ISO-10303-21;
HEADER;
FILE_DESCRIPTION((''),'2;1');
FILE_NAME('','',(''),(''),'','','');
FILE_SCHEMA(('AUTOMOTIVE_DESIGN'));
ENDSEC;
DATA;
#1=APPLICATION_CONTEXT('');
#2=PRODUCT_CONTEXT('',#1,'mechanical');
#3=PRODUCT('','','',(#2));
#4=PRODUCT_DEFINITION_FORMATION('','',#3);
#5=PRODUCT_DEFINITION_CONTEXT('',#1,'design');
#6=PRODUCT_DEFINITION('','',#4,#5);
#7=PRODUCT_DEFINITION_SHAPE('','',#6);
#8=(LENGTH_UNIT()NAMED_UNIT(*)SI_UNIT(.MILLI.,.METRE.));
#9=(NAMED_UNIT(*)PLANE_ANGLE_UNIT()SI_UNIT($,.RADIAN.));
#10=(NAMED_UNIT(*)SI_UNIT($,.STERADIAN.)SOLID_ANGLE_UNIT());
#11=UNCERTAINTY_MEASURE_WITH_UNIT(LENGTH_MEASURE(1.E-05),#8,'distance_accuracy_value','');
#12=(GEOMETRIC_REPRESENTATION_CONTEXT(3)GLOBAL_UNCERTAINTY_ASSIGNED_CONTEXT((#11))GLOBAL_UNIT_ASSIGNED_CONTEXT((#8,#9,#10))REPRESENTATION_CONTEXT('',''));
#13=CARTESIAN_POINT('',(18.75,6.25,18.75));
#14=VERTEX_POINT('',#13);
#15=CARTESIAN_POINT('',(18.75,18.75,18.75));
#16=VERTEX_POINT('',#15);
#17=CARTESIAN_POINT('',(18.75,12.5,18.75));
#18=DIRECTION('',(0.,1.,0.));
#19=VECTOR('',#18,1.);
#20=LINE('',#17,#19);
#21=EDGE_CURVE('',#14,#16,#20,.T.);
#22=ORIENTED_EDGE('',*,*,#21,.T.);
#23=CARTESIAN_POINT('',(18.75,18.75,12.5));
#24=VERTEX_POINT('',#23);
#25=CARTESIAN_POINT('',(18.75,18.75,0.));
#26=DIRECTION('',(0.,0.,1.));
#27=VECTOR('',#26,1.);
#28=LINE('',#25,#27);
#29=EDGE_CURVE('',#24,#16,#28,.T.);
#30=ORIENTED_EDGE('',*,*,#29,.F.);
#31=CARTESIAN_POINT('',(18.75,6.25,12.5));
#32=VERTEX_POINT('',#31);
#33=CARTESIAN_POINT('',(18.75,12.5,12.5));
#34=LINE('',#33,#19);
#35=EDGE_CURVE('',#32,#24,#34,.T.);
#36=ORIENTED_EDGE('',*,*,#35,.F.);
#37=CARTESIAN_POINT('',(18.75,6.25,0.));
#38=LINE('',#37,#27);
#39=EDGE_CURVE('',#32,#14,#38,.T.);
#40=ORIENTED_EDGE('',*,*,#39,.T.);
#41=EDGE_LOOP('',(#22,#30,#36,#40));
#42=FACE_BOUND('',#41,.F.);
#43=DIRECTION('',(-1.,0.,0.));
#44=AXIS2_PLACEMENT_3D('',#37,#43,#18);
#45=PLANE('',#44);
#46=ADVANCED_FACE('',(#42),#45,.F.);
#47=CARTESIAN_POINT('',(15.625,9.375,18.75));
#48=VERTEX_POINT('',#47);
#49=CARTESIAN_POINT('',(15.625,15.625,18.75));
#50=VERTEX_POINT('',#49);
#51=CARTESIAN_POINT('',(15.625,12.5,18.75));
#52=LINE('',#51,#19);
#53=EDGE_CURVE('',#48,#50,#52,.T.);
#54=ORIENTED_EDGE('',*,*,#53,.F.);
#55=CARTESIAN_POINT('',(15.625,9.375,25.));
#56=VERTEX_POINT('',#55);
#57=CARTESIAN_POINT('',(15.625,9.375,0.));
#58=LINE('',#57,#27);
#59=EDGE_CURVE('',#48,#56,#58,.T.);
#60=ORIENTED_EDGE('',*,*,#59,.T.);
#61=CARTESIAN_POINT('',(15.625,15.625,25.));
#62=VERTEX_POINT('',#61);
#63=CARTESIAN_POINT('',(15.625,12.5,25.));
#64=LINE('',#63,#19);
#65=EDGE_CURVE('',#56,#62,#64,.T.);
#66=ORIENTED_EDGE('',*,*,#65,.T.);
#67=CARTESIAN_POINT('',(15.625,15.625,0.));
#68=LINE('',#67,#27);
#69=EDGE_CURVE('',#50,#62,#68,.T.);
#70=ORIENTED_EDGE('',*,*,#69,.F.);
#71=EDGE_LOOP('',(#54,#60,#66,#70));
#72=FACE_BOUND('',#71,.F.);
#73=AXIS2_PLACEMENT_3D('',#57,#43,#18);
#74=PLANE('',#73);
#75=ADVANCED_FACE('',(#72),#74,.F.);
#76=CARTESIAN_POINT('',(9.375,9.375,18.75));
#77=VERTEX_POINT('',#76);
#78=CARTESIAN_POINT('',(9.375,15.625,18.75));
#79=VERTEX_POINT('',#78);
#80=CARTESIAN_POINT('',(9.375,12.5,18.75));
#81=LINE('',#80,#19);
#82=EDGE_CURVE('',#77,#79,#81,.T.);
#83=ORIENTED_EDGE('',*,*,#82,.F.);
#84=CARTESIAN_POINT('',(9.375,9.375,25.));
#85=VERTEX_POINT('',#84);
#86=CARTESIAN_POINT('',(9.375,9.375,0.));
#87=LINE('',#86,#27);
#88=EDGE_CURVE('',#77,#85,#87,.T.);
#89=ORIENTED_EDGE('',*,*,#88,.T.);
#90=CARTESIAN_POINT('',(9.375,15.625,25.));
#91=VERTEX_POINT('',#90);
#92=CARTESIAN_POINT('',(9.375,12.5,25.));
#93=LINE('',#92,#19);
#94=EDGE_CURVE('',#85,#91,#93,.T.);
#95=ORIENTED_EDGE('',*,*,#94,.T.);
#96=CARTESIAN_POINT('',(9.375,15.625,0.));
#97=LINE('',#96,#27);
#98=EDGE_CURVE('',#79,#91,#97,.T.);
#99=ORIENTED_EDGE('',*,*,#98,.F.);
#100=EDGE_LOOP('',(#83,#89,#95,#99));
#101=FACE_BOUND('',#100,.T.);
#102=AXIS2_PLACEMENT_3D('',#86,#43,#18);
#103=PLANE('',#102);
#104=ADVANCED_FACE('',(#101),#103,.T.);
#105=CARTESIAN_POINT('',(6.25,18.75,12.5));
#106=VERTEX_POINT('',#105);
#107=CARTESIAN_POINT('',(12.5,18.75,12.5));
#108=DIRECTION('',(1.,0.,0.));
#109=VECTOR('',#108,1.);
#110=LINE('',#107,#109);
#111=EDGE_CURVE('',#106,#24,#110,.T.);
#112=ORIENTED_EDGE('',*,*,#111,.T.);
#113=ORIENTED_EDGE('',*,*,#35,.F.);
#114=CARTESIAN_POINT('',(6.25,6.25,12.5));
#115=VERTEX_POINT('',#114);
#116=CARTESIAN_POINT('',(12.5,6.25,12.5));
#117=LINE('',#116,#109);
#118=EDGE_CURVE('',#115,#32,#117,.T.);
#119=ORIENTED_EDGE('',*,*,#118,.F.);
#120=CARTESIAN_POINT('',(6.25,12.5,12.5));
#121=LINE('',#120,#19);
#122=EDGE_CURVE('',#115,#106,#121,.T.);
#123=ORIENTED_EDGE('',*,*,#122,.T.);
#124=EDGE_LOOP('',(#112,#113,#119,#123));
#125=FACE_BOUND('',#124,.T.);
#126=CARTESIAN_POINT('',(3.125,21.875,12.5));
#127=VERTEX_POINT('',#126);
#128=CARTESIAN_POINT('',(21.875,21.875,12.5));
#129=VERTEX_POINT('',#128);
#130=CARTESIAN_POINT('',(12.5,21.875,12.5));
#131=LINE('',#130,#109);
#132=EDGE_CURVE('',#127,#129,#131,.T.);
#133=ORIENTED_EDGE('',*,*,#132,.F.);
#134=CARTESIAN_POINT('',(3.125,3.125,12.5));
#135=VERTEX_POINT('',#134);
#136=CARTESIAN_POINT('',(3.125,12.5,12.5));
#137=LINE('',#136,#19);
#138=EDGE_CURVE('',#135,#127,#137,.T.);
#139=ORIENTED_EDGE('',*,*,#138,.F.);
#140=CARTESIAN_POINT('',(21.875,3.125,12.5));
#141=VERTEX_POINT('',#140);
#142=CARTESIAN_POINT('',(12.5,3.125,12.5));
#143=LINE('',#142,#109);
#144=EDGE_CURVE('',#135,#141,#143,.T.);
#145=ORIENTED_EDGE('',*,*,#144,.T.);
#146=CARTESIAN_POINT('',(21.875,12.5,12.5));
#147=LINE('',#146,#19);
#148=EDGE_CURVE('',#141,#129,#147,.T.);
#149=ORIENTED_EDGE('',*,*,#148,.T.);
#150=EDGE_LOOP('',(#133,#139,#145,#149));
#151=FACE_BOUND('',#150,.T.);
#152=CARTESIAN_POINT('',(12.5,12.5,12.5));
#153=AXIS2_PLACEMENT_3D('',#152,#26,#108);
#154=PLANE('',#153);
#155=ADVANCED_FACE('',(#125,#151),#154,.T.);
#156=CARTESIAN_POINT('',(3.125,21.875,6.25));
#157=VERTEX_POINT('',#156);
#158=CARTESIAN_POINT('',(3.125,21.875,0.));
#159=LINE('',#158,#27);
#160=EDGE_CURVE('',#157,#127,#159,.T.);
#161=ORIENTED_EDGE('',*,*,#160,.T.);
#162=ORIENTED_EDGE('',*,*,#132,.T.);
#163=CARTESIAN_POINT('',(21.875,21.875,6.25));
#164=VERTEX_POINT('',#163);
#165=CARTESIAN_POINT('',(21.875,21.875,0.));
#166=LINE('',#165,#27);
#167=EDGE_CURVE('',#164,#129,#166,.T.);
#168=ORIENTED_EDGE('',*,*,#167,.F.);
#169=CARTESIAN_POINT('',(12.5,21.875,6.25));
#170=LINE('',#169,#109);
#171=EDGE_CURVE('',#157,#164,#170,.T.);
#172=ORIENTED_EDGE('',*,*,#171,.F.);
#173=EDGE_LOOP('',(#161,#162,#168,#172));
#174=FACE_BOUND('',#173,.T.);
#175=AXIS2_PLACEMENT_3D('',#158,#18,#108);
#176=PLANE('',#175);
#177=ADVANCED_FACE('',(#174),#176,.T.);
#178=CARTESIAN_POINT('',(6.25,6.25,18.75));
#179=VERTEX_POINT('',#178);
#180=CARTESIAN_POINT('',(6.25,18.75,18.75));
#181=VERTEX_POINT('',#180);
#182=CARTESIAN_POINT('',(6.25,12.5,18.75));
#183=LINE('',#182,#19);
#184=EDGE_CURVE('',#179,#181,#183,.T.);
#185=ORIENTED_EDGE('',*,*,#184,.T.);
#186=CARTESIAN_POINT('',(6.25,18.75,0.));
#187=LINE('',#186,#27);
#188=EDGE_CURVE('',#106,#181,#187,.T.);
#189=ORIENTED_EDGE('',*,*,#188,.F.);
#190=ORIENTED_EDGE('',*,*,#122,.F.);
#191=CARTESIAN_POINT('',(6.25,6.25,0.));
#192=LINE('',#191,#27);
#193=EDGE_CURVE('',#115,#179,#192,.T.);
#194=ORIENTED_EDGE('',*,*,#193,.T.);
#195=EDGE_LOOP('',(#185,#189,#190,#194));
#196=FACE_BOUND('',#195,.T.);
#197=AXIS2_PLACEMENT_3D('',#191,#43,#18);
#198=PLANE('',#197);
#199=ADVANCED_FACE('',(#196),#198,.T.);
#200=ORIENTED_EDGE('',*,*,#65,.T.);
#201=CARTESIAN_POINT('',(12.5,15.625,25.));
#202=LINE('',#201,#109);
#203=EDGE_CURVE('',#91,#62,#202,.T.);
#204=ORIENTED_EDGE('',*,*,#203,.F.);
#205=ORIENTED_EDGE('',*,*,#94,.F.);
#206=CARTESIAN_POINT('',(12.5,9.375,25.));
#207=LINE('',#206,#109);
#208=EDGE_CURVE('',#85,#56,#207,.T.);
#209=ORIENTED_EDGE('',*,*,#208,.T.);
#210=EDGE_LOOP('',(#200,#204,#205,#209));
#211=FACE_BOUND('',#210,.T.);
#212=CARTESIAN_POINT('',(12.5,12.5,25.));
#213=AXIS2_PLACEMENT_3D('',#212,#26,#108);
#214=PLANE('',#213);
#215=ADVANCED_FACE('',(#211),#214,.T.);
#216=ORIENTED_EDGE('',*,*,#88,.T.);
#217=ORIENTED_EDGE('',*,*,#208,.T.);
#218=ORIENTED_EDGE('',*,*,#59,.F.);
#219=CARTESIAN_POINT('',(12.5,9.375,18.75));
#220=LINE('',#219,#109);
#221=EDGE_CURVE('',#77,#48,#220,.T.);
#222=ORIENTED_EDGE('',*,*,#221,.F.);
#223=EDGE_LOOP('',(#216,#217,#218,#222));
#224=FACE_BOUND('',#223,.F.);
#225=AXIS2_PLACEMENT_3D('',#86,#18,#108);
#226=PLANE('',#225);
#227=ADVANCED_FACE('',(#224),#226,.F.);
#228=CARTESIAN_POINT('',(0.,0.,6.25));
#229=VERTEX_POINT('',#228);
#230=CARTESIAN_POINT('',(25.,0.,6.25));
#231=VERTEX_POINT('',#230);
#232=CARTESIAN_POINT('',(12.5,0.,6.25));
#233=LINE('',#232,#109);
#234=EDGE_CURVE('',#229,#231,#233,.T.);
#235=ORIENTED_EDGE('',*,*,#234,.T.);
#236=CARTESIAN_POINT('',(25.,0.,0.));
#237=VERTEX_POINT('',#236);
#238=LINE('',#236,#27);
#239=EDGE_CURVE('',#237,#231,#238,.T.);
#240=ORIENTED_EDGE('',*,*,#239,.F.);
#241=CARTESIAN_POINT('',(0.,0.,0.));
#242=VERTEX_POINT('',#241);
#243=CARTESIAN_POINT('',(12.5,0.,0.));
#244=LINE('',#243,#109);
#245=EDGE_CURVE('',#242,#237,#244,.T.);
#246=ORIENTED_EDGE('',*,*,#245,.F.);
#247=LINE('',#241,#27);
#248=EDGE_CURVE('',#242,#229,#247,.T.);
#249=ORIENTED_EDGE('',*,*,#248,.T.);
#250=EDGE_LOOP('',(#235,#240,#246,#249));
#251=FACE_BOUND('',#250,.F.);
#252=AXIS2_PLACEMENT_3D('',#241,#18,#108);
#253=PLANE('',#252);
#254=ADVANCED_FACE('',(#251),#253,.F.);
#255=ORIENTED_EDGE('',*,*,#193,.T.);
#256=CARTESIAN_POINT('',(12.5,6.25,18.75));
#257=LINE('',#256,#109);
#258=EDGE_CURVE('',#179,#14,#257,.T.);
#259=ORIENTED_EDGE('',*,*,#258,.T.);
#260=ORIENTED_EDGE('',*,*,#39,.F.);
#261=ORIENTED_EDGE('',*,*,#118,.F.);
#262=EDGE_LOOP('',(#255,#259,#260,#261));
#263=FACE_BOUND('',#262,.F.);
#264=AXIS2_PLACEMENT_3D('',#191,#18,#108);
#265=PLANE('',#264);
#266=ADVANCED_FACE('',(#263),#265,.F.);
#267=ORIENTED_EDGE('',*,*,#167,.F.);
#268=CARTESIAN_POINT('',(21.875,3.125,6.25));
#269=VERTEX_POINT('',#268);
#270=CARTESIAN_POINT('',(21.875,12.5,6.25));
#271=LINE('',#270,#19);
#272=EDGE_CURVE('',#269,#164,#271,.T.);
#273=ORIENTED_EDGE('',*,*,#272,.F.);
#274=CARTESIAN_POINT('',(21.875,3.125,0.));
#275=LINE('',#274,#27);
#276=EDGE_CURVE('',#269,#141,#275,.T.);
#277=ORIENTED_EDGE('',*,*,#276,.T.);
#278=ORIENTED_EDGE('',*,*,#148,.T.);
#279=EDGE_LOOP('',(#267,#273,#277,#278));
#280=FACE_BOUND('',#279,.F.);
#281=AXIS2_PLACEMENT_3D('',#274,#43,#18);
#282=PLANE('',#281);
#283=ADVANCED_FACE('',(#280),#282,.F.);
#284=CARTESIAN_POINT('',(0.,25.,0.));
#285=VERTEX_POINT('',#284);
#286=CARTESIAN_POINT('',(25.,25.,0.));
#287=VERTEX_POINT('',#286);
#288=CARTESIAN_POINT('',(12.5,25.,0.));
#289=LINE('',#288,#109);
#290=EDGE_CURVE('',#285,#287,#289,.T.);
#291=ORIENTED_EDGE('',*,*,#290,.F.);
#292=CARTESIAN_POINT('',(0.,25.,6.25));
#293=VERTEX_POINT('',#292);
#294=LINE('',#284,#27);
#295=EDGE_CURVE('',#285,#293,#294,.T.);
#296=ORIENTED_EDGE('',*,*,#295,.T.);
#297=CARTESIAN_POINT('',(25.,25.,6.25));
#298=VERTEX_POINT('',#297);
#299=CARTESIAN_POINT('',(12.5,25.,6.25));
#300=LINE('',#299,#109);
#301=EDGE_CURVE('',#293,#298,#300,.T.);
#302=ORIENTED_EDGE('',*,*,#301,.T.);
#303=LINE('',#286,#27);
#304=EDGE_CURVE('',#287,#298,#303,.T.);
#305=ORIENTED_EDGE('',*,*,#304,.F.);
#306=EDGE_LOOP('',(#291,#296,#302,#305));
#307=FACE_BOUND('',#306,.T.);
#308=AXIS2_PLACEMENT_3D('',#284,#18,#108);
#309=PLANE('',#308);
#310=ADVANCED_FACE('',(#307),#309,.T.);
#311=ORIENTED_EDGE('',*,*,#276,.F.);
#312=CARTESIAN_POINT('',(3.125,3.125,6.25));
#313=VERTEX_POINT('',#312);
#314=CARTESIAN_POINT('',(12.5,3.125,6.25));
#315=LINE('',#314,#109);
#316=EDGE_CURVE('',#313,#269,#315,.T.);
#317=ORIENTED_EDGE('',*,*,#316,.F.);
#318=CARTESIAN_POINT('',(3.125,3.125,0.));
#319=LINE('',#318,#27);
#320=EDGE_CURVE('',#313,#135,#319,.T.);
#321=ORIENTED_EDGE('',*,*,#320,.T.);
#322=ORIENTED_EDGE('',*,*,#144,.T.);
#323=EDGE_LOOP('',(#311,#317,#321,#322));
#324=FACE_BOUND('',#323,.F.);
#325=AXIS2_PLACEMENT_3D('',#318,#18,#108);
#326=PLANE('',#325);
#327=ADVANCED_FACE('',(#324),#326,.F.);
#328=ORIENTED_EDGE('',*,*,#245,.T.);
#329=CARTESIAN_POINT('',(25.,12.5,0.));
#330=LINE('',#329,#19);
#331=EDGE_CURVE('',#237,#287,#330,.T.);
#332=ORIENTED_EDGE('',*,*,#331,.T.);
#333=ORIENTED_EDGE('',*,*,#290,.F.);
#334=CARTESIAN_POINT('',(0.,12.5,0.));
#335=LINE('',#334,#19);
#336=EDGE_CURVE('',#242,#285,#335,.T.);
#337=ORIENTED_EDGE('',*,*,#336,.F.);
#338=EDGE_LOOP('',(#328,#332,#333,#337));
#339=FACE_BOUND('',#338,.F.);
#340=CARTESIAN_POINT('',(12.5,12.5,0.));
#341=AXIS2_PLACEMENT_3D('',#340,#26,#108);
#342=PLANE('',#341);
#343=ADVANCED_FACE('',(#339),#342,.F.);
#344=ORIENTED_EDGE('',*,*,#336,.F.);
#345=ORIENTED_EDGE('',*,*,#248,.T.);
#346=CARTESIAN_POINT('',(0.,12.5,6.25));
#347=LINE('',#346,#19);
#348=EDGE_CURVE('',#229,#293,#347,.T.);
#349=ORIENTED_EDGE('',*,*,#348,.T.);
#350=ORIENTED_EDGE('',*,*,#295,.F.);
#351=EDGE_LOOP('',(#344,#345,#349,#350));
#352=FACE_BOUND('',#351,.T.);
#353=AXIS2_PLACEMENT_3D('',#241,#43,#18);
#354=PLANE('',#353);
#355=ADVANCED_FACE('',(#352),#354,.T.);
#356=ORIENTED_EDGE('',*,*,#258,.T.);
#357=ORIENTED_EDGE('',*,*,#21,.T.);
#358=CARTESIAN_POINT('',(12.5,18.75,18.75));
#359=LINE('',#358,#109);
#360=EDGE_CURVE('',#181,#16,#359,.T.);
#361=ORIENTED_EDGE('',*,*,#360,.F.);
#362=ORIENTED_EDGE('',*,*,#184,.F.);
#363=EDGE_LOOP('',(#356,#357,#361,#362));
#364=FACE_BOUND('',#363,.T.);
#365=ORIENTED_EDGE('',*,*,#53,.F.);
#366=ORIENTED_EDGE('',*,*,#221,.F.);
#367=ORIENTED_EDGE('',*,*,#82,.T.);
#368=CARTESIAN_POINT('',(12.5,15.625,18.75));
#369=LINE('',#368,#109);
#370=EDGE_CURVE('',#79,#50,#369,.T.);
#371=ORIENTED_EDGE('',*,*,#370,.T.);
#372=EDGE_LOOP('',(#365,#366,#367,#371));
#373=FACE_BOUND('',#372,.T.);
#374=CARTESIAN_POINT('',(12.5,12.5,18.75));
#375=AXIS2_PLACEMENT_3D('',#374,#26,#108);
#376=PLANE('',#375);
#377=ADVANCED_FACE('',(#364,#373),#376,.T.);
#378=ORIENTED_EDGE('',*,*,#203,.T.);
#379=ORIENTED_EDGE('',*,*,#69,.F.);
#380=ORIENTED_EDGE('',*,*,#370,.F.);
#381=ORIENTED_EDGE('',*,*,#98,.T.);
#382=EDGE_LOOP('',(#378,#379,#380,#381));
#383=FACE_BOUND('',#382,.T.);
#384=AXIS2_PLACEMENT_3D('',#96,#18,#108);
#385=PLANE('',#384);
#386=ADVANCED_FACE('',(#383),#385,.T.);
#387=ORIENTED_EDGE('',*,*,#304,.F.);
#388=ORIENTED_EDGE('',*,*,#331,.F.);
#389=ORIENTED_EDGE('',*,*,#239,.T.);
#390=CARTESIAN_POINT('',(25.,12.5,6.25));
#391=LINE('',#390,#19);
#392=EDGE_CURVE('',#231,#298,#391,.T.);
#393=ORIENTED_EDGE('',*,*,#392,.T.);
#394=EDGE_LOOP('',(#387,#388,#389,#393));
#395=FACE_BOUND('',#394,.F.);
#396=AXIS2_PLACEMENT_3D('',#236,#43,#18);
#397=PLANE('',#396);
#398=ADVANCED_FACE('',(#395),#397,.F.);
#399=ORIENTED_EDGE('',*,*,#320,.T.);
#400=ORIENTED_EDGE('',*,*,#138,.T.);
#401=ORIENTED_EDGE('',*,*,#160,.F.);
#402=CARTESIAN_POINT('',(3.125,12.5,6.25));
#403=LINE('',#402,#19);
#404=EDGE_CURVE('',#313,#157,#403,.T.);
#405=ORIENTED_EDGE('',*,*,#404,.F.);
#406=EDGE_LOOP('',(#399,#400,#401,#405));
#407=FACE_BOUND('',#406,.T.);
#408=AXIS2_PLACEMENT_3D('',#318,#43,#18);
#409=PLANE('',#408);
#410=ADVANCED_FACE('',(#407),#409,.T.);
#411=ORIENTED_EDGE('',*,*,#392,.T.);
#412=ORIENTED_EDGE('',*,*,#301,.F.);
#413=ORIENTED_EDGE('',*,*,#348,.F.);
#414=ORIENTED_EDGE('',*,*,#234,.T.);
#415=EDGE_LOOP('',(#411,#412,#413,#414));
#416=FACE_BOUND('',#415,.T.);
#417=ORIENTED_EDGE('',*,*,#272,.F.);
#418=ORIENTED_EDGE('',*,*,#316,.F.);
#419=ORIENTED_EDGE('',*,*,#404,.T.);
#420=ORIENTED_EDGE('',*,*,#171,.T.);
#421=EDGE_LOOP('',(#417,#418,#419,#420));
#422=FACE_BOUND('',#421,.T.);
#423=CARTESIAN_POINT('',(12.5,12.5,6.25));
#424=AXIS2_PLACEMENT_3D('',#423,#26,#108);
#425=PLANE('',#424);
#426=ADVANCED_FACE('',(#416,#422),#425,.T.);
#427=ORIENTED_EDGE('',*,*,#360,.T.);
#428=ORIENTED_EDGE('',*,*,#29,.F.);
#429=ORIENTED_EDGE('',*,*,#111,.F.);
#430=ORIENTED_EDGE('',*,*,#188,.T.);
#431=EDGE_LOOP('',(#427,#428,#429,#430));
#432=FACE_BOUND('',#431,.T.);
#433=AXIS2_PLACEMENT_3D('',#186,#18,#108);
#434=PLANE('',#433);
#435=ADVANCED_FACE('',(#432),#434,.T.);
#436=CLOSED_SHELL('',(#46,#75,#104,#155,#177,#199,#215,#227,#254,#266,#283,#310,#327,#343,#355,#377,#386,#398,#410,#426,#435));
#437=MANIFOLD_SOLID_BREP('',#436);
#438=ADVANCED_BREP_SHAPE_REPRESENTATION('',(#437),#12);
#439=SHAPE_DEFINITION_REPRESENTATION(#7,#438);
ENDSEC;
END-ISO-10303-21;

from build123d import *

# Parameters (mm, degrees)
F1_W     = 25
F1_H     = 25
F1_W_2   = 18.75
F1_H_2   = 18.75
F2_DEPTH = 6.25
F1_W_3   = 12.5
F1_H_3   = 12.5
F3_DEPTH = 12.5
F1_W_4   = 6.25
F1_H_4   = 6.25
F4_DEPTH = 18.75
F5_DEPTH = 25


with BuildPart() as f2:
    # F1 (on Top) → F2 (new body)
    with BuildSketch(Plane.XY):
        with Locations((12.5, 12.5)):
            Rectangle(F1_W, F1_H)
        with Locations((12.5, 12.5)):
            Rectangle(F1_W_2, F1_H_2, mode=Mode.SUBTRACT)
    extrude(amount=F2_DEPTH)

    # F1 (on Top) → F3 (join)
    with BuildSketch(Plane.XY):
        with Locations((12.5, 12.5)):
            Rectangle(F1_W_2, F1_H_2)
        with Locations((12.5, 12.5)):
            Rectangle(F1_W_3, F1_H_3, mode=Mode.SUBTRACT)
    extrude(amount=F3_DEPTH)

    # F1 (on Top) → F4 (join)
    with BuildSketch(Plane.XY):
        with Locations((12.5, 12.5)):
            Rectangle(F1_W_3, F1_H_3)
        with Locations((12.5, 12.5)):
            Rectangle(F1_W_4, F1_H_4, mode=Mode.SUBTRACT)
    extrude(amount=F4_DEPTH)

    # F1 (on Top) → F5 (join)
    with BuildSketch(Plane.XY):
        with Locations((12.5, 12.5)):
            Rectangle(F1_W_4, F1_H_4)
    extrude(amount=F5_DEPTH)


solid = f2.part
